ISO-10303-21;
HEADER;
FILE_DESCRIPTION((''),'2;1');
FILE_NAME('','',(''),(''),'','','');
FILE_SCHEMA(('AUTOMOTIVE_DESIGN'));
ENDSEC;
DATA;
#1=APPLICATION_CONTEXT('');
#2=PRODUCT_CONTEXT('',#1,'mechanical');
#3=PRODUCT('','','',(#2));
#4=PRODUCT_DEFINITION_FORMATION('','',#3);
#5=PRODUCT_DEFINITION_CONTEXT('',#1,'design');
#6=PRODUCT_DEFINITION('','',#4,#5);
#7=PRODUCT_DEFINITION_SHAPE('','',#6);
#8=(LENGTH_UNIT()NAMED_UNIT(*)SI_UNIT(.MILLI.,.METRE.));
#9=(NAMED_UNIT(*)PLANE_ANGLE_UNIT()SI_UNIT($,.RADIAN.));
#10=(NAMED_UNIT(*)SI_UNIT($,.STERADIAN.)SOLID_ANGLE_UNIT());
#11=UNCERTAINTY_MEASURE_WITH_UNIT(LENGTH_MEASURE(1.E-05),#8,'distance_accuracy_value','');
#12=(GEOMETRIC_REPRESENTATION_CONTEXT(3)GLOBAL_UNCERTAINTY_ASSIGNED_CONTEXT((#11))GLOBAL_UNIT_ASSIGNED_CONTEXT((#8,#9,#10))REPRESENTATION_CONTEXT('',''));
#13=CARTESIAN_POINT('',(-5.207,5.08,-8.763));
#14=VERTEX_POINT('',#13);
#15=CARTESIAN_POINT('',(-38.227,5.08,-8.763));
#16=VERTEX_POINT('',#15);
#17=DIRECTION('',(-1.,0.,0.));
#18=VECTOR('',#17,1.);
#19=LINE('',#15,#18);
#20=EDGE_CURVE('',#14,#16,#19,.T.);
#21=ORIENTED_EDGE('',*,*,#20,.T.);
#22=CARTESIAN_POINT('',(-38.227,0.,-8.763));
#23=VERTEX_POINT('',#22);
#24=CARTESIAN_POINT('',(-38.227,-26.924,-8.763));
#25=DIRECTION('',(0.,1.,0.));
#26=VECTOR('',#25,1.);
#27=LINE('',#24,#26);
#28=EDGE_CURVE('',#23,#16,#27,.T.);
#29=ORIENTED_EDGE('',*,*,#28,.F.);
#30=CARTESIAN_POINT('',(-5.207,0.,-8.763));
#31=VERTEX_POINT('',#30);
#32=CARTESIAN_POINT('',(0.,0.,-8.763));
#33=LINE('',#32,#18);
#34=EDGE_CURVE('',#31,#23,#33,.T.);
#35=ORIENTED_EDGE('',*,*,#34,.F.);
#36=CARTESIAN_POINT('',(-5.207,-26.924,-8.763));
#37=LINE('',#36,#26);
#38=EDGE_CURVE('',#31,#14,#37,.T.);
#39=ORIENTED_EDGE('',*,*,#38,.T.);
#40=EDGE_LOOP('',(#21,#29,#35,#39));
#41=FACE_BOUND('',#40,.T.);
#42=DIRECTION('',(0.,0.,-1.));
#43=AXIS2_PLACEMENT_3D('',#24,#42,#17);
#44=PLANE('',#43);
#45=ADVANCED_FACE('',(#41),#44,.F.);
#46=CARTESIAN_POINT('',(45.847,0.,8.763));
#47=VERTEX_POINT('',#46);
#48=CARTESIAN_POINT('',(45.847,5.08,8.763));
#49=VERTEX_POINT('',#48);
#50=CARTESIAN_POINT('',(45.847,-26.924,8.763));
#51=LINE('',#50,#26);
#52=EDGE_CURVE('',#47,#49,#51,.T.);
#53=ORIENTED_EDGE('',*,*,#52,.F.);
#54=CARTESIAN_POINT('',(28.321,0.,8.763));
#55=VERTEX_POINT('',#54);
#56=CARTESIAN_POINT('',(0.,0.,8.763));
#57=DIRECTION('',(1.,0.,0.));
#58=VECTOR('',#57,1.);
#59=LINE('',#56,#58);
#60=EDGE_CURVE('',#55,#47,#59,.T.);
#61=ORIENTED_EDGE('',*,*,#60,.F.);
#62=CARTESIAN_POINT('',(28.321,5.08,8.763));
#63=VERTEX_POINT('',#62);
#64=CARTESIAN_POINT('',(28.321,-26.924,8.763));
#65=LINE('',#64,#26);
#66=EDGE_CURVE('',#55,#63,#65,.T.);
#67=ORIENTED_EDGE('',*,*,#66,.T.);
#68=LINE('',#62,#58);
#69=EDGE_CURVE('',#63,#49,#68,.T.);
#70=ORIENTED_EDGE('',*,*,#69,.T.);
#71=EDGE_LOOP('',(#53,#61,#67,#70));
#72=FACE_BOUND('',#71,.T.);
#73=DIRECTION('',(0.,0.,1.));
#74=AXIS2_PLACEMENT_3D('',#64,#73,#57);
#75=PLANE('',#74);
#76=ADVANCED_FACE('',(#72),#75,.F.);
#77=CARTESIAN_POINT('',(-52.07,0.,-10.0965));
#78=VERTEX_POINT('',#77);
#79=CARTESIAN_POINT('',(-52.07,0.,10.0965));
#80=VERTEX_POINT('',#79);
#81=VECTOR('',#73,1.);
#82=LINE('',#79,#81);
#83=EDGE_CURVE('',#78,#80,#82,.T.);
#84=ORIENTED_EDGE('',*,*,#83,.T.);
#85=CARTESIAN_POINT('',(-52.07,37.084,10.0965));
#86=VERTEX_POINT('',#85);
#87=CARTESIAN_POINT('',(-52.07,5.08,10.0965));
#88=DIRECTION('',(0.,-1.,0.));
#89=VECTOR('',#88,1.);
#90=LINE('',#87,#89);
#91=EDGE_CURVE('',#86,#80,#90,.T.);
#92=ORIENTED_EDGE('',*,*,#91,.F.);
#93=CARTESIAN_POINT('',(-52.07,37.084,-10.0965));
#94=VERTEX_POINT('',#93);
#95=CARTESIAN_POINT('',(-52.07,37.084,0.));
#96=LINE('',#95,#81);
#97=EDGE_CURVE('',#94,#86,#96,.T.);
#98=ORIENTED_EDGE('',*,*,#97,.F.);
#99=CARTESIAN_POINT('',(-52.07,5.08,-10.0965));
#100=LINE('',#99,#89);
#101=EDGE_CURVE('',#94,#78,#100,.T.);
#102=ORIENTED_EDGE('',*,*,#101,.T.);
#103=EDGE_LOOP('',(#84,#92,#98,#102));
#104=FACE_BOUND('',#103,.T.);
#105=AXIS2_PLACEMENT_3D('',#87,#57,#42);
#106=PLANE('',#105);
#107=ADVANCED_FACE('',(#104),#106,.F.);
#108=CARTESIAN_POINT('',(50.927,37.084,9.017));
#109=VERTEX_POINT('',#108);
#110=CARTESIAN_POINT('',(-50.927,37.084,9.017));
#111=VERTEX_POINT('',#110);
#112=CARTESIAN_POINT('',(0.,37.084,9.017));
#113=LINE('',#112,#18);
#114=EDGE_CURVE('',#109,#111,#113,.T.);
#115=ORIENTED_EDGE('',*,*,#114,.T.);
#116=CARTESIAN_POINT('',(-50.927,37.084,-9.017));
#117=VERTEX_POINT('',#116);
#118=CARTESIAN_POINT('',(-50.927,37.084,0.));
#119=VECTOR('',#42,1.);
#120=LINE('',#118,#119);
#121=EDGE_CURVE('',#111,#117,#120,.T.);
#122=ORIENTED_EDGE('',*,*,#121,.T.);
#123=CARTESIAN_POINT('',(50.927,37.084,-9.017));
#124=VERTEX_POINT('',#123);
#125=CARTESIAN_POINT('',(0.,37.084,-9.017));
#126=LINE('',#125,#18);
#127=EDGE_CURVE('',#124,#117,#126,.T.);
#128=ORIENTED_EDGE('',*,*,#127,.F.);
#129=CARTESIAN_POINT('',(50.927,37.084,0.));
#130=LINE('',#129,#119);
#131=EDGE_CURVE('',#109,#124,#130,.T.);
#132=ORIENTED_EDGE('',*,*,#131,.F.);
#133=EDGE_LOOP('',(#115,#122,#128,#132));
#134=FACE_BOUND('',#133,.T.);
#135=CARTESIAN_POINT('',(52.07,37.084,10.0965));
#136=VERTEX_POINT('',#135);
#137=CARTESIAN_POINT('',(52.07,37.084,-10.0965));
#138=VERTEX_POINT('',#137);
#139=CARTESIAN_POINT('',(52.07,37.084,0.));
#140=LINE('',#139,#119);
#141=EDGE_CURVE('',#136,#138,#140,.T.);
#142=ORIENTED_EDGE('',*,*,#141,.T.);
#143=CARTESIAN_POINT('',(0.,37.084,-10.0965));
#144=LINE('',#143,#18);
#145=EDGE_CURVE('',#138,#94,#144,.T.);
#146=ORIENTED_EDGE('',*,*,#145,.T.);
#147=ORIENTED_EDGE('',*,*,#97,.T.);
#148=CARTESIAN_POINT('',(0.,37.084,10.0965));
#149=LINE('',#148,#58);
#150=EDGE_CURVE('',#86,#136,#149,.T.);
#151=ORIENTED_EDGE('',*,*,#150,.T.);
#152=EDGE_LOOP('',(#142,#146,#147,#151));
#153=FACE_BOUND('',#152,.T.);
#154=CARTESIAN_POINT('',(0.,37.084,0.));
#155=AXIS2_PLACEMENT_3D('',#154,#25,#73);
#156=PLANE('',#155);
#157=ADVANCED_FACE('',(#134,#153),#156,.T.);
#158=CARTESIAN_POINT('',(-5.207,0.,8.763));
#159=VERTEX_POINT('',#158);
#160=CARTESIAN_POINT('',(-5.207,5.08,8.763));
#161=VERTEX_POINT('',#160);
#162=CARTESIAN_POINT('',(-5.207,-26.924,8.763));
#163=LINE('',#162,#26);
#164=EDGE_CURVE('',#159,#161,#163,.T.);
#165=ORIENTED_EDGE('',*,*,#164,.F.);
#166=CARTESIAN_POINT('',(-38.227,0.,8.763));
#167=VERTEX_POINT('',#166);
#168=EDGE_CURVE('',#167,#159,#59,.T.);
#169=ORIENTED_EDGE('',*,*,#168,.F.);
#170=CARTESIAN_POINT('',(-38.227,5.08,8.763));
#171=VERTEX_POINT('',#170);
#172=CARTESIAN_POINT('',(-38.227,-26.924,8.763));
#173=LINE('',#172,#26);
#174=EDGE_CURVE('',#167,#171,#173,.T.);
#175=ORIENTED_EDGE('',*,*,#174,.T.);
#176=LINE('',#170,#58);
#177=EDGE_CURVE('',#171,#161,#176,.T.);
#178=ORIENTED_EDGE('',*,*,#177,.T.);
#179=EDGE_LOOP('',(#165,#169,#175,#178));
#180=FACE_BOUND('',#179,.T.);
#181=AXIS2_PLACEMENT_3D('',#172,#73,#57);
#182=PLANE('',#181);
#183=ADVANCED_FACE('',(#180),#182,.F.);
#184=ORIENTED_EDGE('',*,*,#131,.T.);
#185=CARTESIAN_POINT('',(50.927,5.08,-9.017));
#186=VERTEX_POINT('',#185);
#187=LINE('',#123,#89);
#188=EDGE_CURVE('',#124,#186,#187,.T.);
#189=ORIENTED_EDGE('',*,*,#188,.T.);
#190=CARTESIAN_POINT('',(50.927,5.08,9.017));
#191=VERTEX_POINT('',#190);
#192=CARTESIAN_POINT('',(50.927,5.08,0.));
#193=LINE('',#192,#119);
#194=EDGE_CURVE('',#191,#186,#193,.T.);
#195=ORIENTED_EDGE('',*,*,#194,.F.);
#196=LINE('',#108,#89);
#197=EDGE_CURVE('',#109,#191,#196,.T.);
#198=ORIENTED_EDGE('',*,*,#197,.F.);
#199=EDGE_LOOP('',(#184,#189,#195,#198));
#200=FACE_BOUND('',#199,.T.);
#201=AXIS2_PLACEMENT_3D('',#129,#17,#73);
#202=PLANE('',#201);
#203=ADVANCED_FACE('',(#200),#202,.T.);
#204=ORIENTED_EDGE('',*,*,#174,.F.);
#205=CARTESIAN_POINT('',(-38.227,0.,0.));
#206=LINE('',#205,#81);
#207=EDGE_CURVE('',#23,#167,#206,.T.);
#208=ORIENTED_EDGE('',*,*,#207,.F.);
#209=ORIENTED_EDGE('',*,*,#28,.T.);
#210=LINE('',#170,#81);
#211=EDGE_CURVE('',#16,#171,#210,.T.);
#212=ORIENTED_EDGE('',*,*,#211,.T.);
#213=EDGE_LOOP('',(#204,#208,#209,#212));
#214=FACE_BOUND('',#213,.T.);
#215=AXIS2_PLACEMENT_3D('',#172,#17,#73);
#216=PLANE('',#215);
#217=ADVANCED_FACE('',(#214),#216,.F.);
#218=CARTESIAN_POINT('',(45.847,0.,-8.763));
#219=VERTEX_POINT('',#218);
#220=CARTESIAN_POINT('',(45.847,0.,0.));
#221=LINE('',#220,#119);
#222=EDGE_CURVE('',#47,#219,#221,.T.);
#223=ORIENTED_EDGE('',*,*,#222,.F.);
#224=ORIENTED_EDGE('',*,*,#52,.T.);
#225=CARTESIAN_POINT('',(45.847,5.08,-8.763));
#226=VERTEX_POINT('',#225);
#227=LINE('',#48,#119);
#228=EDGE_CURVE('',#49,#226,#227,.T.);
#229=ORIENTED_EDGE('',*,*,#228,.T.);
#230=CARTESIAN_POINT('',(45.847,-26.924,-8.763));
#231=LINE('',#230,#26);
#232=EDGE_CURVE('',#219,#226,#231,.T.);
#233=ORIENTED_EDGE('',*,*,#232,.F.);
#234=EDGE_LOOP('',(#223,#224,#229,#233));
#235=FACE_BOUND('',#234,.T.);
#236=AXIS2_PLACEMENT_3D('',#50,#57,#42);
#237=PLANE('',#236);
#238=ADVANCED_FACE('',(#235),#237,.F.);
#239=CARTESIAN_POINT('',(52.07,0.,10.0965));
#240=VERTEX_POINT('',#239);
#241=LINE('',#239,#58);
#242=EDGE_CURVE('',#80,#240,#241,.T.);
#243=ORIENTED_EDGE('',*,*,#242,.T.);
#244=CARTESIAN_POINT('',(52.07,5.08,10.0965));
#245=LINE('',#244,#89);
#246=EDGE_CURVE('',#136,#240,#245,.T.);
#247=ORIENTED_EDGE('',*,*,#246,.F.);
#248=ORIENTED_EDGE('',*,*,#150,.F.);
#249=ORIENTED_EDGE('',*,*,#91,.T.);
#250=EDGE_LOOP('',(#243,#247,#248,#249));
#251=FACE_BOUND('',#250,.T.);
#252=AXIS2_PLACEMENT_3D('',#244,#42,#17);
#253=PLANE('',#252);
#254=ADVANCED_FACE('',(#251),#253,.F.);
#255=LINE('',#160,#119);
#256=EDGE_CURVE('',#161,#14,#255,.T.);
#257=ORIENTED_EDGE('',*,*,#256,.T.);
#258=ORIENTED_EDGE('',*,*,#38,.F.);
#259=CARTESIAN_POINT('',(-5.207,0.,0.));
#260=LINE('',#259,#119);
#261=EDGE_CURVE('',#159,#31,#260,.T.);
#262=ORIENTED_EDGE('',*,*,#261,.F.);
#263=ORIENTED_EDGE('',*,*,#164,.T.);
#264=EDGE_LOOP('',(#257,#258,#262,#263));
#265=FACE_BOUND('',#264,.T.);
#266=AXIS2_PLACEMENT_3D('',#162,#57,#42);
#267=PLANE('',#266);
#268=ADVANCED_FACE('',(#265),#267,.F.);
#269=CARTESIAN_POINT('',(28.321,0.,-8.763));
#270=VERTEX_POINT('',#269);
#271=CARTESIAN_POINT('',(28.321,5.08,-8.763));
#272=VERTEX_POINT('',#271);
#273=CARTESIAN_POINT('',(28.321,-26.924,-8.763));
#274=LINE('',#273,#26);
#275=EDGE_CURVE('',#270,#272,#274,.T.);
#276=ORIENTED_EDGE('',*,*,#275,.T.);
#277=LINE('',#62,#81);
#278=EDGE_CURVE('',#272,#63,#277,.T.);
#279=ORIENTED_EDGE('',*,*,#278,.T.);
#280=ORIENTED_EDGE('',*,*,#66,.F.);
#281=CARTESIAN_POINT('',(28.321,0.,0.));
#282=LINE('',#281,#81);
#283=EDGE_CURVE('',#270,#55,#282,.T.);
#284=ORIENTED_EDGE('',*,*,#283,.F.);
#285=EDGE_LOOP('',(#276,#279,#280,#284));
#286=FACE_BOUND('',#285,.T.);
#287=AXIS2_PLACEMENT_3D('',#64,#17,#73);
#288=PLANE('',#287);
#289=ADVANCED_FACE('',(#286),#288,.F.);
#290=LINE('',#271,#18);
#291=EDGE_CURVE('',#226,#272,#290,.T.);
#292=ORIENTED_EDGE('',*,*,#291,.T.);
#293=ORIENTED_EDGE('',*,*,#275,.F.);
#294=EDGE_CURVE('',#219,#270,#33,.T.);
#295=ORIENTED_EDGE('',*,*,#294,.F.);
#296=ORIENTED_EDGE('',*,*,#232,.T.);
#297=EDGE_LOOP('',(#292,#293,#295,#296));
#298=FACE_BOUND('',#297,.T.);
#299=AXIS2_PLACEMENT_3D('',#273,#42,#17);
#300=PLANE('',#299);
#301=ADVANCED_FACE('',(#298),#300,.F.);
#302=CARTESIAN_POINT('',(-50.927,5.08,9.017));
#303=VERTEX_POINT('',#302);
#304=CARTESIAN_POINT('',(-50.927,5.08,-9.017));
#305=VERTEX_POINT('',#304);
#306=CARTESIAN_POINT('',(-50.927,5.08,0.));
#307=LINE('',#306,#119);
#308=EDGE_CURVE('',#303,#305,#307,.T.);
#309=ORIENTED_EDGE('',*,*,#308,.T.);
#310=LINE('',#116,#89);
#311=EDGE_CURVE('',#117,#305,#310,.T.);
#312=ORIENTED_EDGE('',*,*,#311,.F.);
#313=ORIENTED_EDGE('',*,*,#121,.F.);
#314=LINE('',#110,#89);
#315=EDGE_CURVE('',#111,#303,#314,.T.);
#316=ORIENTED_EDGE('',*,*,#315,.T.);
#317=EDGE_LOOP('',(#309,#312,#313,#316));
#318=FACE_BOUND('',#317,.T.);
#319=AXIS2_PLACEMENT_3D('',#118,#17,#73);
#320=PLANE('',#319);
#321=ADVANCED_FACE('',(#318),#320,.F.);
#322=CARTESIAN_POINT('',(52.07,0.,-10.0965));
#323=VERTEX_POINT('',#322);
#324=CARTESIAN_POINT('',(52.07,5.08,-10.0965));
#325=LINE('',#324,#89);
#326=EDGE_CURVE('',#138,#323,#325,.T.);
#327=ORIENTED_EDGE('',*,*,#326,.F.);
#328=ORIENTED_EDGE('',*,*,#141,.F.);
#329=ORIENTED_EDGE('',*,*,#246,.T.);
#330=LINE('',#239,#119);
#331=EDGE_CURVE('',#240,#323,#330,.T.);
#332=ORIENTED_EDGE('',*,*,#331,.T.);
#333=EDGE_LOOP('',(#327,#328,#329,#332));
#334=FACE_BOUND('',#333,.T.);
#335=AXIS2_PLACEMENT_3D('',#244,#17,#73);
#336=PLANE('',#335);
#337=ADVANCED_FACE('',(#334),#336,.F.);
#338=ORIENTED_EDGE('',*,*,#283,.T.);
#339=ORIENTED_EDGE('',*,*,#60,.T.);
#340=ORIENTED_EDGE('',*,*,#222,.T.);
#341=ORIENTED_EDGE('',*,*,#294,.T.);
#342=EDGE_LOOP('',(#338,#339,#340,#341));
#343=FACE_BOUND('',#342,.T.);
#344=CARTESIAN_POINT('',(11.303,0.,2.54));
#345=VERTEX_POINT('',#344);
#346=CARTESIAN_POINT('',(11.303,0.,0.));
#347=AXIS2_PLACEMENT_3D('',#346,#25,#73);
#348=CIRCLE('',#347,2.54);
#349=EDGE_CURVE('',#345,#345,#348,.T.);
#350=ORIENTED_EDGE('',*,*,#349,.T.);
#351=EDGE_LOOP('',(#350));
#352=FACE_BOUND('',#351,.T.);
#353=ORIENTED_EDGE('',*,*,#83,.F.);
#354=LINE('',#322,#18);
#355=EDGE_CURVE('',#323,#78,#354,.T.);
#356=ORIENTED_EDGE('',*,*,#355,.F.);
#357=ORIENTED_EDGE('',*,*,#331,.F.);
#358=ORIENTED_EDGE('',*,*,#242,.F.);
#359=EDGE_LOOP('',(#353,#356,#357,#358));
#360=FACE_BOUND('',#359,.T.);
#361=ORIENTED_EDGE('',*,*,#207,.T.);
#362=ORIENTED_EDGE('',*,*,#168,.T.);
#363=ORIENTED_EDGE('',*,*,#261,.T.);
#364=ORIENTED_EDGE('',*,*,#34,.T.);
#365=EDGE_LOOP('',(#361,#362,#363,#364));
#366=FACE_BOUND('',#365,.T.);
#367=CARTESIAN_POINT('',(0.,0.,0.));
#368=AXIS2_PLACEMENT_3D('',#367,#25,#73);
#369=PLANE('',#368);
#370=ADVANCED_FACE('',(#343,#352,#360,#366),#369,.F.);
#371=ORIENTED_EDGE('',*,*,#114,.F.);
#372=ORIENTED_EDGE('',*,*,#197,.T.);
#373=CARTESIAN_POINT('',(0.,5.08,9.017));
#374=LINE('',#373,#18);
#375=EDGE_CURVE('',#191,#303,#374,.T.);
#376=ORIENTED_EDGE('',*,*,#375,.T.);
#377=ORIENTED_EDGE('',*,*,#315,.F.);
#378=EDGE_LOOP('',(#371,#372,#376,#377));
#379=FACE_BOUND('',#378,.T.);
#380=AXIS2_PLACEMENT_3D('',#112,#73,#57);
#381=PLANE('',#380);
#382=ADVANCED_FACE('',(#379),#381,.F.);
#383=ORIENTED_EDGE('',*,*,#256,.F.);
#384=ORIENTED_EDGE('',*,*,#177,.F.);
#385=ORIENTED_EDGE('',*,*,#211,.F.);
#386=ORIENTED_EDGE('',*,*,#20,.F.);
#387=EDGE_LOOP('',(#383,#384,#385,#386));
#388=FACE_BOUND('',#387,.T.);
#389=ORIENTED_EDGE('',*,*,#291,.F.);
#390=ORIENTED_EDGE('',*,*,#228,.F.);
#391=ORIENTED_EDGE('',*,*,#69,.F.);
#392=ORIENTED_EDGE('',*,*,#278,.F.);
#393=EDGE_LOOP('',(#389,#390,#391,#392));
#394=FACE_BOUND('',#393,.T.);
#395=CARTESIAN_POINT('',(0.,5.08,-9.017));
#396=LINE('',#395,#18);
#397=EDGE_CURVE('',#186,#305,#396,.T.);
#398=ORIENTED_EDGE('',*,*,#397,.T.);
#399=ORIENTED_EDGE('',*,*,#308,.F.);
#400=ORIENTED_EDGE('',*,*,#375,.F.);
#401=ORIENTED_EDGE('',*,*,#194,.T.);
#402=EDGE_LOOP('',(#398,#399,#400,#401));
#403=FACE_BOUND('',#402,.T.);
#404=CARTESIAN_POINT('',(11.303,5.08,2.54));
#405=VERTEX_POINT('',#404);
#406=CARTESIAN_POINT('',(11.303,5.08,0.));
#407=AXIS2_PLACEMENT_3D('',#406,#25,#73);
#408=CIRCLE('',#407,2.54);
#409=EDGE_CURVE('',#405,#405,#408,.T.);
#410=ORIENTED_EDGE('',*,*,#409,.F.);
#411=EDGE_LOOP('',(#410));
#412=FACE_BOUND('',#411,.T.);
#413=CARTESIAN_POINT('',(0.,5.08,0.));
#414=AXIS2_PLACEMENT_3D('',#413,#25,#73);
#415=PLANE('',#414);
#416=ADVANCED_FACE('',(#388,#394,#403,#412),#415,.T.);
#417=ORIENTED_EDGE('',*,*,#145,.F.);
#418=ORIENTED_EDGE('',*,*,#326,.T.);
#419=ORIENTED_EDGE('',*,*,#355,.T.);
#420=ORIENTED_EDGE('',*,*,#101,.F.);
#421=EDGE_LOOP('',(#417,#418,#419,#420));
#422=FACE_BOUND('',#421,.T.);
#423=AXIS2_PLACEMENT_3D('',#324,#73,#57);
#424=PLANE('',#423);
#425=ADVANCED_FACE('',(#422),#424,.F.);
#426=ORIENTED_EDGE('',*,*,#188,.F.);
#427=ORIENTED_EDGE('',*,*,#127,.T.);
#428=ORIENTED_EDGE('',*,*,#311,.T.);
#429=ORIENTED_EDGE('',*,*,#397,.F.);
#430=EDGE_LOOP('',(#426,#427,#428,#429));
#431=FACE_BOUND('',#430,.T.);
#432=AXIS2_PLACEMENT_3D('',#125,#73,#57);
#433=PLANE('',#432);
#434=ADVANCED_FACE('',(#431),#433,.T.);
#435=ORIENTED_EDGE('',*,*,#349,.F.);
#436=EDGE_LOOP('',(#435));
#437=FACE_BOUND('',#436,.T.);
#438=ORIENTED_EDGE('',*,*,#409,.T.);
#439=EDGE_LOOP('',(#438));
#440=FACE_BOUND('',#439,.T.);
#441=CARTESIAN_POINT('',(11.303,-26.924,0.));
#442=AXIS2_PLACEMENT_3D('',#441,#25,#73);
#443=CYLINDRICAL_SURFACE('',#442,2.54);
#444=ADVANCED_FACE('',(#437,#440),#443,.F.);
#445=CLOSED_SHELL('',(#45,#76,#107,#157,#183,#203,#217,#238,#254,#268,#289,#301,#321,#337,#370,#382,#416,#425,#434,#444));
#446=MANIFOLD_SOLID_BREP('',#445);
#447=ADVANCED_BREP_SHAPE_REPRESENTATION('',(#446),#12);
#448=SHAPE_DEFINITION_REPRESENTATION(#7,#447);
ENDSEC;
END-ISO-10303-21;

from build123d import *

# Parameters (mm, degrees)
SKETCH1_W           = 104.14
SKETCH1_H           = 20.193
BOSS_EXTRUDE1_DEPTH = 5.08
SKETCH2_W           = 104.14
SKETCH2_H           = 20.193
SKETCH2_W_2         = 101.854
SKETCH2_H_2         = 18.034
BOSS_EXTRUDE2_DEPTH = 32.004
SKETCH3_R           = 2.54
SKETCH3_W           = 33.02
SKETCH3_H           = 17.526
SKETCH3_W_2         = 17.526
CUT_EXTRUDE1_DEPTH  = 32.004


with BuildPart() as part:
    # Sketch1 → Boss-Extrude1 (new body)
    with BuildSketch(Plane(origin=(0, 0, 0), x_dir=(1, 0, 0), z_dir=(0, 1, 0))):
        Rectangle(SKETCH1_W, SKETCH1_H)
    extrude(amount=BOSS_EXTRUDE1_DEPTH)

    # Sketch2 → Boss-Extrude2 (add)
    with BuildSketch(Plane(origin=(0, 5.08, 0), x_dir=(1, 0, 0), z_dir=(0, 1, 0))):
        Rectangle(SKETCH2_W, SKETCH2_H)
        Rectangle(SKETCH2_W_2, SKETCH2_H_2, mode=Mode.SUBTRACT)
    extrude(amount=BOSS_EXTRUDE2_DEPTH)

    # Sketch3 → Cut-Extrude1 (cut)
    with BuildSketch(Plane(origin=(0, 5.08, 0), x_dir=(1, 0, 0), z_dir=(0, 1, 0))):
        with Locations(Location((11.303, 0, 0), (0, 0, 270))):
            Circle(SKETCH3_R)
        with Locations((-21.717, 0)):
            Rectangle(SKETCH3_W, SKETCH3_H)
        with Locations((37.084, 0)):
            Rectangle(SKETCH3_W_2, SKETCH3_H)
    extrude(amount=-CUT_EXTRUDE1_DEPTH, mode=Mode.SUBTRACT)


solid = part.part
